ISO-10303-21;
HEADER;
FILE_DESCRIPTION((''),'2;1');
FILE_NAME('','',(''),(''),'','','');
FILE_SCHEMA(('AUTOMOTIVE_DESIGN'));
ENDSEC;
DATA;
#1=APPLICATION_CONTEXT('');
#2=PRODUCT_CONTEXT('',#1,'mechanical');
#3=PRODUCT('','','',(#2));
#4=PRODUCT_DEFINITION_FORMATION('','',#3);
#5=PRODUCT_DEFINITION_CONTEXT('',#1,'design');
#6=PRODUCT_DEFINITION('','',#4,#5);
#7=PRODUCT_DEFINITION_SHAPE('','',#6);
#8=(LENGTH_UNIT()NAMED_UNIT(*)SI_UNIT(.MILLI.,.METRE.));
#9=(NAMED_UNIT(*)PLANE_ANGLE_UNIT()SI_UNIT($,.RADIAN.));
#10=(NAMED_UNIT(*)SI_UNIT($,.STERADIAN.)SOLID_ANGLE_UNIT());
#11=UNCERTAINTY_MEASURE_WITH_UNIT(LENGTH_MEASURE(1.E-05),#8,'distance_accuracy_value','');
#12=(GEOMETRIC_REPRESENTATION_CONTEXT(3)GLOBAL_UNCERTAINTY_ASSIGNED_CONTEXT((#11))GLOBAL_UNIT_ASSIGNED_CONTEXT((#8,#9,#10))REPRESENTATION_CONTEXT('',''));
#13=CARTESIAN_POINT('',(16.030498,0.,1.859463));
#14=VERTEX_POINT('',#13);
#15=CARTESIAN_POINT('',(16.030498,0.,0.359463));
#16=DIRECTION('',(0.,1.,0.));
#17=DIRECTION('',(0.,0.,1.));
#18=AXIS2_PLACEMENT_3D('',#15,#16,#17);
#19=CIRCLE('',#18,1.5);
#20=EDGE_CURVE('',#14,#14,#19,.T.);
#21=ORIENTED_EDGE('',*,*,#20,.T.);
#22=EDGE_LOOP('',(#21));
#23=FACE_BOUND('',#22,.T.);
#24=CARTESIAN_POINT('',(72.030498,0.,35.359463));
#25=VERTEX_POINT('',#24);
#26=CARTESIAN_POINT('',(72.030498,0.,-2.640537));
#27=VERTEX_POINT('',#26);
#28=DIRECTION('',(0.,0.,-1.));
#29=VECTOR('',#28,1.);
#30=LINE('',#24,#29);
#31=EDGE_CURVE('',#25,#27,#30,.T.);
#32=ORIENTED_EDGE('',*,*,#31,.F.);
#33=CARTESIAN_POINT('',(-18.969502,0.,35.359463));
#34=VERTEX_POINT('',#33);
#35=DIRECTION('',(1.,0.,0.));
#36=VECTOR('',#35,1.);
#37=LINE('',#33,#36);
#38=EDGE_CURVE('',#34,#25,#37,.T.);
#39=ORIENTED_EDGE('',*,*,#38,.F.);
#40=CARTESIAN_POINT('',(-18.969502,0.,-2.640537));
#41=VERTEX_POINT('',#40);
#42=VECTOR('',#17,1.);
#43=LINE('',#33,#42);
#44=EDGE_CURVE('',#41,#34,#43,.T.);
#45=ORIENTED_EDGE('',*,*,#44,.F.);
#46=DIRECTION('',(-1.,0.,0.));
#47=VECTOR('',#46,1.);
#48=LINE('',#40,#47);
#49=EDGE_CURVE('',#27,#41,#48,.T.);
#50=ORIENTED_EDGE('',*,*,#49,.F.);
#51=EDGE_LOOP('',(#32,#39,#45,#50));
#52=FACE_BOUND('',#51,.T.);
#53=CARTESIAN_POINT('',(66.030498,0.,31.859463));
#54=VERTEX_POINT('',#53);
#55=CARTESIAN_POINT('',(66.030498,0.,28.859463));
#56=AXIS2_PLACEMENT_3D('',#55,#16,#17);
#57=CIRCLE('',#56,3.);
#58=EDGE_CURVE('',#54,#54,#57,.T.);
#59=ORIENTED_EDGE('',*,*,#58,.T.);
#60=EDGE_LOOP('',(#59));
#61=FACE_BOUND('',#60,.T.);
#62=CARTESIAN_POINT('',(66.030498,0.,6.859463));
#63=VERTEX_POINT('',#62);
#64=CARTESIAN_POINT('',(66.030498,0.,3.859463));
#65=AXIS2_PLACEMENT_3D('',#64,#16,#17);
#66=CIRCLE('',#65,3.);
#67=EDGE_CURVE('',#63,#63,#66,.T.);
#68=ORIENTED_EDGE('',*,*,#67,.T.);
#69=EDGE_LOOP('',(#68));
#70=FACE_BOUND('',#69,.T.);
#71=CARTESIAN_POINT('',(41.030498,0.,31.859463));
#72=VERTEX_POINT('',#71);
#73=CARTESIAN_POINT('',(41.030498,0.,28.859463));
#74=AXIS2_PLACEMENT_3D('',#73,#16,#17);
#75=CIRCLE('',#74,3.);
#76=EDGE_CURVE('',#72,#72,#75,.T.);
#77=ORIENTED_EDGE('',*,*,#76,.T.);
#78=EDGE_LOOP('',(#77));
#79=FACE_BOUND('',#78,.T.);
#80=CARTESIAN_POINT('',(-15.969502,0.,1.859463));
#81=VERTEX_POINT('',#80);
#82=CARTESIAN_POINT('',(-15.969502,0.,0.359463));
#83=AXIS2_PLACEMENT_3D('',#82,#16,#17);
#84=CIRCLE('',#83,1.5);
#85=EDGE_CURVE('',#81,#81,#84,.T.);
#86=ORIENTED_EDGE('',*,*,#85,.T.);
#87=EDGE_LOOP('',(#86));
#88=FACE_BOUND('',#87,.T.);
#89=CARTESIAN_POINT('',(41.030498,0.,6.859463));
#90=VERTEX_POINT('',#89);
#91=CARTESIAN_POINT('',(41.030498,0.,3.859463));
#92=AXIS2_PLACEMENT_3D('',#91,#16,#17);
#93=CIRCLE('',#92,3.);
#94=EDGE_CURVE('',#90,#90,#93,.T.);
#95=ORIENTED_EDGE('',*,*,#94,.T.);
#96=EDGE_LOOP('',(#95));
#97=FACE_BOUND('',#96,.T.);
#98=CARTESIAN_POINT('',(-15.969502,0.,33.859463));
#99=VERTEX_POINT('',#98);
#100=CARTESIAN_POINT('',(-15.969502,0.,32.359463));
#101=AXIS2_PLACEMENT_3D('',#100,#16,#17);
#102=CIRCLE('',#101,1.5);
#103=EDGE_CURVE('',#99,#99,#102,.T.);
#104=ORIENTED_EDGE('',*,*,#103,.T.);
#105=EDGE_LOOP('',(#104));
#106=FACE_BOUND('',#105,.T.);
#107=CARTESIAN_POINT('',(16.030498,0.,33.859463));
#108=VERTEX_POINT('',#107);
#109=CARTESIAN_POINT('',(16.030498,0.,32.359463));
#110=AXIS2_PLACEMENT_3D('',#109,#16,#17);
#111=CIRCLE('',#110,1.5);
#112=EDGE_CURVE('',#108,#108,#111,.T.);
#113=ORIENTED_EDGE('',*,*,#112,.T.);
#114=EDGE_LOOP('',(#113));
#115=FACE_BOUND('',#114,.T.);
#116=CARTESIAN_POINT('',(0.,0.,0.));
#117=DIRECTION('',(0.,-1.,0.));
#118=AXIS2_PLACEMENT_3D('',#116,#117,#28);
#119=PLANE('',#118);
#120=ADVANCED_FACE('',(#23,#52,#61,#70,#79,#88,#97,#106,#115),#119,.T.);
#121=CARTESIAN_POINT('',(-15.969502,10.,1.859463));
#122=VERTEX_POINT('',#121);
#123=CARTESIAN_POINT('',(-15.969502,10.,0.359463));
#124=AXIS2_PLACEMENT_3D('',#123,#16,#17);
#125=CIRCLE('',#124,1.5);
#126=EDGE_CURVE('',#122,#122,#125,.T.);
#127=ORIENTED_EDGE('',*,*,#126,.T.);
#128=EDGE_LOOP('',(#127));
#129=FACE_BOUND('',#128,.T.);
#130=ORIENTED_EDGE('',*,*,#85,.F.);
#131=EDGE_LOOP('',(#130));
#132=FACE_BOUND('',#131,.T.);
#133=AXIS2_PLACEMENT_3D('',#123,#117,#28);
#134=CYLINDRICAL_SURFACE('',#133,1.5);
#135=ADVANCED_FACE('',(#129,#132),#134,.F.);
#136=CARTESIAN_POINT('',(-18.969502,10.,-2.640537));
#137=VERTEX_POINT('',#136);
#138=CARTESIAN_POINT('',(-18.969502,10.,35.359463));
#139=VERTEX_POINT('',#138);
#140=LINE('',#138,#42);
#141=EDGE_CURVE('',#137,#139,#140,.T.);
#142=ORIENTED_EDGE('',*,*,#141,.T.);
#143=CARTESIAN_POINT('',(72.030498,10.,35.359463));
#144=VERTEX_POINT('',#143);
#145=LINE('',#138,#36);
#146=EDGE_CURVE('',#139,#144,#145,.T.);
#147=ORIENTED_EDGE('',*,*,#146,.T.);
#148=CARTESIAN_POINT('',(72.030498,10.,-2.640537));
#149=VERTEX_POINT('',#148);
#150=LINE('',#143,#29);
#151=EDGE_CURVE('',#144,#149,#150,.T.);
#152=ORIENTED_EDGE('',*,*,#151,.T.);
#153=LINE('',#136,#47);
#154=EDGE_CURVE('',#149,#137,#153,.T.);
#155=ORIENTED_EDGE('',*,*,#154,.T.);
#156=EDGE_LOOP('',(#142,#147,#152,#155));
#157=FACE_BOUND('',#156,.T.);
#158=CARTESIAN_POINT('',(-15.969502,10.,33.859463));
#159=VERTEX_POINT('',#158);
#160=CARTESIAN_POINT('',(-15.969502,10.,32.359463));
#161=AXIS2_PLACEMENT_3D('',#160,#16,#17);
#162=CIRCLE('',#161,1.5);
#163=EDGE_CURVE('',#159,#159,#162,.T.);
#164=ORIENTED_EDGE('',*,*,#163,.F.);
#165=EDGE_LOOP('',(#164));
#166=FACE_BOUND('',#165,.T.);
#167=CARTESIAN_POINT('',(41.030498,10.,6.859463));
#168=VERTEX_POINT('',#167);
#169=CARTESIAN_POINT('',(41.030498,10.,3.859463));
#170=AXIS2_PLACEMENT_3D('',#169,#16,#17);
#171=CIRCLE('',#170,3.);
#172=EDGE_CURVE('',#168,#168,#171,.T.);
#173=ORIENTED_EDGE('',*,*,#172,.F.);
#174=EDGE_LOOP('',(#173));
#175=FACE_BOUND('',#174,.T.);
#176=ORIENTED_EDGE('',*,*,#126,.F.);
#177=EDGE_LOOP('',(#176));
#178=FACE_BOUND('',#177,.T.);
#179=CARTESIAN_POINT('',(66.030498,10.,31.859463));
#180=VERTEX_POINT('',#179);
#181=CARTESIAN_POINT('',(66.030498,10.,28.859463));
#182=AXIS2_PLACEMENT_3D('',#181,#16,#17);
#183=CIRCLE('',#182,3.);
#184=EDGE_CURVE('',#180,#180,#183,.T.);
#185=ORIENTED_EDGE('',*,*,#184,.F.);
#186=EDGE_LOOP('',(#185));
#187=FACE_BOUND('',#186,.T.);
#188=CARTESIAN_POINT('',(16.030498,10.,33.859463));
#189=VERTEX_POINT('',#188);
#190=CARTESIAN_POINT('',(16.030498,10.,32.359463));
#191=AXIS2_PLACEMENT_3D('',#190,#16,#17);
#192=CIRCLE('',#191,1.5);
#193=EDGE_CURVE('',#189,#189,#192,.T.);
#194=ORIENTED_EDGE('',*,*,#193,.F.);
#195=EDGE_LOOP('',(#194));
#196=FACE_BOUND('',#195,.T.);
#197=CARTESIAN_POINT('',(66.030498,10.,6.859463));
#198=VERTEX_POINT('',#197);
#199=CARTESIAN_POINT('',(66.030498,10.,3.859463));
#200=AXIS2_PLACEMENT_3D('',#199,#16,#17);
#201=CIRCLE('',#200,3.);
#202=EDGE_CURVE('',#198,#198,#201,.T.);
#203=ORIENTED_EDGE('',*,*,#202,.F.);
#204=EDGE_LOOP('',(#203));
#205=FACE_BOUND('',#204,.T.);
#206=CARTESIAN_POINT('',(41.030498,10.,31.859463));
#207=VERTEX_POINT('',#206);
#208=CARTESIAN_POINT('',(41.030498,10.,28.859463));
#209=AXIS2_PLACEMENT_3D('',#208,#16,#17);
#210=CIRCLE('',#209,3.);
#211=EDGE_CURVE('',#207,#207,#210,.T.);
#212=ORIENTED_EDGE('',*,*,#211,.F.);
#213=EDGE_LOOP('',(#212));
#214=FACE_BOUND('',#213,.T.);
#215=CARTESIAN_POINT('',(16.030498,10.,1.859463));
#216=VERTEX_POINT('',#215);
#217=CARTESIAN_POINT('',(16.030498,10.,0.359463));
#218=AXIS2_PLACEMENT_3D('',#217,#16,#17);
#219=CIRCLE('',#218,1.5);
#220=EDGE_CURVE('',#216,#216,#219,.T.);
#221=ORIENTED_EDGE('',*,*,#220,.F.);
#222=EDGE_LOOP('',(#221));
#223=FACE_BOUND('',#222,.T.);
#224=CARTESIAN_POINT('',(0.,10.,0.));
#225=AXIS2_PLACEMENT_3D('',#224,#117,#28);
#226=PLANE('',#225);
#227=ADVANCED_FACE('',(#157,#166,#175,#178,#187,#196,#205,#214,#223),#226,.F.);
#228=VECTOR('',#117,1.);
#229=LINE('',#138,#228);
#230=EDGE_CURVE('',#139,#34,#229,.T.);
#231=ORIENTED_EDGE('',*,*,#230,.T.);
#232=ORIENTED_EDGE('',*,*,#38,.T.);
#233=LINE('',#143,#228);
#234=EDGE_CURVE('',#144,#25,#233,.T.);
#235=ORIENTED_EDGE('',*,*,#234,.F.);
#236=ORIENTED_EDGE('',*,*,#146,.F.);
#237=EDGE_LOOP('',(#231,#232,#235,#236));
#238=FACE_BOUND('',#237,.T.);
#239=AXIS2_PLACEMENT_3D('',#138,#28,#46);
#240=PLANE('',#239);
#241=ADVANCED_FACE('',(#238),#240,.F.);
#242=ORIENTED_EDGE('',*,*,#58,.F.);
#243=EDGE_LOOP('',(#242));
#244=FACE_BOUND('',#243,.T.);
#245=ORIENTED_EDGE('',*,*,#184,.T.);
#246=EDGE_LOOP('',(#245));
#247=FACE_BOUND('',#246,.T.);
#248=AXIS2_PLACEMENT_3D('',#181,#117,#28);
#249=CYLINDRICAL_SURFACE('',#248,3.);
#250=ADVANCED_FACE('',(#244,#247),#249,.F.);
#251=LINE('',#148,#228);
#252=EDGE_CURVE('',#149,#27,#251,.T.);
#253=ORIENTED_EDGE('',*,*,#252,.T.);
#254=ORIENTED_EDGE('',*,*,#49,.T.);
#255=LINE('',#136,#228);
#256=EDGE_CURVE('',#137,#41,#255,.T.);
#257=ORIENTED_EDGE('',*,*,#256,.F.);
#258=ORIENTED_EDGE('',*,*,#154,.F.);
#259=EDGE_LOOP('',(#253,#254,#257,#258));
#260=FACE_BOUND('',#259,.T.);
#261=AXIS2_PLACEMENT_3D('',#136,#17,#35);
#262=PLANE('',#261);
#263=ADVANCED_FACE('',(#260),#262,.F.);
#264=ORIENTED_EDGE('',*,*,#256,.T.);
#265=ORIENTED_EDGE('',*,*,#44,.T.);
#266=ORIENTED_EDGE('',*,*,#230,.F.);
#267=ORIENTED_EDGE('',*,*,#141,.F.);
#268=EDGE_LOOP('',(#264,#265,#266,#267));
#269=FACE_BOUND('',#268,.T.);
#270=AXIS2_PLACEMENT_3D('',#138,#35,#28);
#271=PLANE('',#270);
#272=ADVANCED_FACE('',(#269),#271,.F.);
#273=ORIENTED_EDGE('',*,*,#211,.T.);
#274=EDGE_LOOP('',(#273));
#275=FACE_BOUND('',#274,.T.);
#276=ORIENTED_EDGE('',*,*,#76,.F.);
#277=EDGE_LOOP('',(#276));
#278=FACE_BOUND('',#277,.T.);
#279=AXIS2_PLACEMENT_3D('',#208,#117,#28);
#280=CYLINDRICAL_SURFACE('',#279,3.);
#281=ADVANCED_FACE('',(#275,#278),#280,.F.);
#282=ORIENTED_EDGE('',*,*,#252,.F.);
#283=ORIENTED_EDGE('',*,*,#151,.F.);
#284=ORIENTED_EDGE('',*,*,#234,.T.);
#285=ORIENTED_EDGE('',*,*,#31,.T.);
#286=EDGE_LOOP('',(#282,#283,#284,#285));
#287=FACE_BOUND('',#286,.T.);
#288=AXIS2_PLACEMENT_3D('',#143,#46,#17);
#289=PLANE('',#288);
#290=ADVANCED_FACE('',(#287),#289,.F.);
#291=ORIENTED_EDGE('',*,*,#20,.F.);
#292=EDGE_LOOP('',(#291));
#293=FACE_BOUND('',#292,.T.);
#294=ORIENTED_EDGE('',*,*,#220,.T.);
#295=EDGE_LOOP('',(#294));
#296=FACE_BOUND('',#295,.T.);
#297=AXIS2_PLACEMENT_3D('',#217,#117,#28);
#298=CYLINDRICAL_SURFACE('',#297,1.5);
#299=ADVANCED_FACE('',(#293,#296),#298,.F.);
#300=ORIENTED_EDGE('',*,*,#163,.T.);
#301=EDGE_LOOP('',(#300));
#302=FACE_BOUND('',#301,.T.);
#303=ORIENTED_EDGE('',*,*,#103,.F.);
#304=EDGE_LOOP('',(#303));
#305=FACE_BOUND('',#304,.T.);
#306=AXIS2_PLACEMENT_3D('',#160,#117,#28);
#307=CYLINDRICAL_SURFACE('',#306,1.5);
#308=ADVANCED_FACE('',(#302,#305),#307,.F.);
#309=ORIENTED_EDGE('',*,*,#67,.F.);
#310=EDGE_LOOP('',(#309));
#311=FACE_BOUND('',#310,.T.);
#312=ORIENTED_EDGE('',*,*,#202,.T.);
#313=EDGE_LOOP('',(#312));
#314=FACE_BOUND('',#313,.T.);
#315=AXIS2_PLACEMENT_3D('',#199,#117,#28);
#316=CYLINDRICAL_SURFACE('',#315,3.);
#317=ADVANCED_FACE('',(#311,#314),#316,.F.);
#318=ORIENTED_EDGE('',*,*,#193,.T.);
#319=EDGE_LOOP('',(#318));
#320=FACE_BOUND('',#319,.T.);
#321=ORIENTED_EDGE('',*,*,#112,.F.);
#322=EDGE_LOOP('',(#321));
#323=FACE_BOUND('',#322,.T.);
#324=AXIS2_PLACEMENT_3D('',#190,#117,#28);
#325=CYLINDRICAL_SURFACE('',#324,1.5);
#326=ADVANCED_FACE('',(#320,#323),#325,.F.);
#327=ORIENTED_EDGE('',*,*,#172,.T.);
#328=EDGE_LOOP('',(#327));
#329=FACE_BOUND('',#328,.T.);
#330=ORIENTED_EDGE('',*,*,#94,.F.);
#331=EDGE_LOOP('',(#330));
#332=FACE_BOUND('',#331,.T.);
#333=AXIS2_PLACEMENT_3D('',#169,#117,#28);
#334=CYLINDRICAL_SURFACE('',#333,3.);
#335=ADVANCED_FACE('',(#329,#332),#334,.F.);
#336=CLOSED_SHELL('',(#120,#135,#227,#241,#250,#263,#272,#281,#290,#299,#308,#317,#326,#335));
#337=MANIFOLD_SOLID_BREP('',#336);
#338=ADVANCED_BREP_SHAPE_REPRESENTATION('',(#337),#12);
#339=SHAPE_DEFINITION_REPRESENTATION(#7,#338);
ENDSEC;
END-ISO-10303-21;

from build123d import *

# Parameters (mm, degrees)
SKETCH1_W           = 91
SKETCH1_H           = 38
SKETCH1_R           = 1.5
SKETCH1_R_2         = 3
BOSS_EXTRUDE1_DEPTH = 10


with BuildPart() as part:
    # Sketch1 → Boss-Extrude1 (new body)
    with BuildSketch(Plane(origin=(0, 0, 0), x_dir=(1, 0, 0), z_dir=(0, 1, 0))):
        with Locations((26.530497816, -16.359463259)):
            Rectangle(SKETCH1_W, SKETCH1_H)
        with Locations(Location((-15.969502184, -0.359463259, 0), (0, 0, 270))):
            Circle(SKETCH1_R, mode=Mode.SUBTRACT)
        with Locations(Location((16.030497816, -0.359463259, 0), (0, 0, 270))):
            Circle(SKETCH1_R, mode=Mode.SUBTRACT)
        with Locations(Location((16.030497816, -32.359463259, 0), (0, 0, 270))):
            Circle(SKETCH1_R, mode=Mode.SUBTRACT)
        with Locations(Location((-15.969502184, -32.359463259, 0), (0, 0, 270))):
            Circle(SKETCH1_R, mode=Mode.SUBTRACT)
        with Locations(Location((41.030497816, -28.859463259, 0), (0, 0, 270))):
            Circle(SKETCH1_R_2, mode=Mode.SUBTRACT)
        with Locations(Location((66.030497816, -28.859463259, 0), (0, 0, 270))):
            Circle(SKETCH1_R_2, mode=Mode.SUBTRACT)
        with Locations(Location((41.030497816, -3.859463259, 0), (0, 0, 270))):
            Circle(SKETCH1_R_2, mode=Mode.SUBTRACT)
        with Locations(Location((66.030497816, -3.859463259, 0), (0, 0, 270))):
            Circle(SKETCH1_R_2, mode=Mode.SUBTRACT)
    extrude(amount=BOSS_EXTRUDE1_DEPTH)


solid = part.part
